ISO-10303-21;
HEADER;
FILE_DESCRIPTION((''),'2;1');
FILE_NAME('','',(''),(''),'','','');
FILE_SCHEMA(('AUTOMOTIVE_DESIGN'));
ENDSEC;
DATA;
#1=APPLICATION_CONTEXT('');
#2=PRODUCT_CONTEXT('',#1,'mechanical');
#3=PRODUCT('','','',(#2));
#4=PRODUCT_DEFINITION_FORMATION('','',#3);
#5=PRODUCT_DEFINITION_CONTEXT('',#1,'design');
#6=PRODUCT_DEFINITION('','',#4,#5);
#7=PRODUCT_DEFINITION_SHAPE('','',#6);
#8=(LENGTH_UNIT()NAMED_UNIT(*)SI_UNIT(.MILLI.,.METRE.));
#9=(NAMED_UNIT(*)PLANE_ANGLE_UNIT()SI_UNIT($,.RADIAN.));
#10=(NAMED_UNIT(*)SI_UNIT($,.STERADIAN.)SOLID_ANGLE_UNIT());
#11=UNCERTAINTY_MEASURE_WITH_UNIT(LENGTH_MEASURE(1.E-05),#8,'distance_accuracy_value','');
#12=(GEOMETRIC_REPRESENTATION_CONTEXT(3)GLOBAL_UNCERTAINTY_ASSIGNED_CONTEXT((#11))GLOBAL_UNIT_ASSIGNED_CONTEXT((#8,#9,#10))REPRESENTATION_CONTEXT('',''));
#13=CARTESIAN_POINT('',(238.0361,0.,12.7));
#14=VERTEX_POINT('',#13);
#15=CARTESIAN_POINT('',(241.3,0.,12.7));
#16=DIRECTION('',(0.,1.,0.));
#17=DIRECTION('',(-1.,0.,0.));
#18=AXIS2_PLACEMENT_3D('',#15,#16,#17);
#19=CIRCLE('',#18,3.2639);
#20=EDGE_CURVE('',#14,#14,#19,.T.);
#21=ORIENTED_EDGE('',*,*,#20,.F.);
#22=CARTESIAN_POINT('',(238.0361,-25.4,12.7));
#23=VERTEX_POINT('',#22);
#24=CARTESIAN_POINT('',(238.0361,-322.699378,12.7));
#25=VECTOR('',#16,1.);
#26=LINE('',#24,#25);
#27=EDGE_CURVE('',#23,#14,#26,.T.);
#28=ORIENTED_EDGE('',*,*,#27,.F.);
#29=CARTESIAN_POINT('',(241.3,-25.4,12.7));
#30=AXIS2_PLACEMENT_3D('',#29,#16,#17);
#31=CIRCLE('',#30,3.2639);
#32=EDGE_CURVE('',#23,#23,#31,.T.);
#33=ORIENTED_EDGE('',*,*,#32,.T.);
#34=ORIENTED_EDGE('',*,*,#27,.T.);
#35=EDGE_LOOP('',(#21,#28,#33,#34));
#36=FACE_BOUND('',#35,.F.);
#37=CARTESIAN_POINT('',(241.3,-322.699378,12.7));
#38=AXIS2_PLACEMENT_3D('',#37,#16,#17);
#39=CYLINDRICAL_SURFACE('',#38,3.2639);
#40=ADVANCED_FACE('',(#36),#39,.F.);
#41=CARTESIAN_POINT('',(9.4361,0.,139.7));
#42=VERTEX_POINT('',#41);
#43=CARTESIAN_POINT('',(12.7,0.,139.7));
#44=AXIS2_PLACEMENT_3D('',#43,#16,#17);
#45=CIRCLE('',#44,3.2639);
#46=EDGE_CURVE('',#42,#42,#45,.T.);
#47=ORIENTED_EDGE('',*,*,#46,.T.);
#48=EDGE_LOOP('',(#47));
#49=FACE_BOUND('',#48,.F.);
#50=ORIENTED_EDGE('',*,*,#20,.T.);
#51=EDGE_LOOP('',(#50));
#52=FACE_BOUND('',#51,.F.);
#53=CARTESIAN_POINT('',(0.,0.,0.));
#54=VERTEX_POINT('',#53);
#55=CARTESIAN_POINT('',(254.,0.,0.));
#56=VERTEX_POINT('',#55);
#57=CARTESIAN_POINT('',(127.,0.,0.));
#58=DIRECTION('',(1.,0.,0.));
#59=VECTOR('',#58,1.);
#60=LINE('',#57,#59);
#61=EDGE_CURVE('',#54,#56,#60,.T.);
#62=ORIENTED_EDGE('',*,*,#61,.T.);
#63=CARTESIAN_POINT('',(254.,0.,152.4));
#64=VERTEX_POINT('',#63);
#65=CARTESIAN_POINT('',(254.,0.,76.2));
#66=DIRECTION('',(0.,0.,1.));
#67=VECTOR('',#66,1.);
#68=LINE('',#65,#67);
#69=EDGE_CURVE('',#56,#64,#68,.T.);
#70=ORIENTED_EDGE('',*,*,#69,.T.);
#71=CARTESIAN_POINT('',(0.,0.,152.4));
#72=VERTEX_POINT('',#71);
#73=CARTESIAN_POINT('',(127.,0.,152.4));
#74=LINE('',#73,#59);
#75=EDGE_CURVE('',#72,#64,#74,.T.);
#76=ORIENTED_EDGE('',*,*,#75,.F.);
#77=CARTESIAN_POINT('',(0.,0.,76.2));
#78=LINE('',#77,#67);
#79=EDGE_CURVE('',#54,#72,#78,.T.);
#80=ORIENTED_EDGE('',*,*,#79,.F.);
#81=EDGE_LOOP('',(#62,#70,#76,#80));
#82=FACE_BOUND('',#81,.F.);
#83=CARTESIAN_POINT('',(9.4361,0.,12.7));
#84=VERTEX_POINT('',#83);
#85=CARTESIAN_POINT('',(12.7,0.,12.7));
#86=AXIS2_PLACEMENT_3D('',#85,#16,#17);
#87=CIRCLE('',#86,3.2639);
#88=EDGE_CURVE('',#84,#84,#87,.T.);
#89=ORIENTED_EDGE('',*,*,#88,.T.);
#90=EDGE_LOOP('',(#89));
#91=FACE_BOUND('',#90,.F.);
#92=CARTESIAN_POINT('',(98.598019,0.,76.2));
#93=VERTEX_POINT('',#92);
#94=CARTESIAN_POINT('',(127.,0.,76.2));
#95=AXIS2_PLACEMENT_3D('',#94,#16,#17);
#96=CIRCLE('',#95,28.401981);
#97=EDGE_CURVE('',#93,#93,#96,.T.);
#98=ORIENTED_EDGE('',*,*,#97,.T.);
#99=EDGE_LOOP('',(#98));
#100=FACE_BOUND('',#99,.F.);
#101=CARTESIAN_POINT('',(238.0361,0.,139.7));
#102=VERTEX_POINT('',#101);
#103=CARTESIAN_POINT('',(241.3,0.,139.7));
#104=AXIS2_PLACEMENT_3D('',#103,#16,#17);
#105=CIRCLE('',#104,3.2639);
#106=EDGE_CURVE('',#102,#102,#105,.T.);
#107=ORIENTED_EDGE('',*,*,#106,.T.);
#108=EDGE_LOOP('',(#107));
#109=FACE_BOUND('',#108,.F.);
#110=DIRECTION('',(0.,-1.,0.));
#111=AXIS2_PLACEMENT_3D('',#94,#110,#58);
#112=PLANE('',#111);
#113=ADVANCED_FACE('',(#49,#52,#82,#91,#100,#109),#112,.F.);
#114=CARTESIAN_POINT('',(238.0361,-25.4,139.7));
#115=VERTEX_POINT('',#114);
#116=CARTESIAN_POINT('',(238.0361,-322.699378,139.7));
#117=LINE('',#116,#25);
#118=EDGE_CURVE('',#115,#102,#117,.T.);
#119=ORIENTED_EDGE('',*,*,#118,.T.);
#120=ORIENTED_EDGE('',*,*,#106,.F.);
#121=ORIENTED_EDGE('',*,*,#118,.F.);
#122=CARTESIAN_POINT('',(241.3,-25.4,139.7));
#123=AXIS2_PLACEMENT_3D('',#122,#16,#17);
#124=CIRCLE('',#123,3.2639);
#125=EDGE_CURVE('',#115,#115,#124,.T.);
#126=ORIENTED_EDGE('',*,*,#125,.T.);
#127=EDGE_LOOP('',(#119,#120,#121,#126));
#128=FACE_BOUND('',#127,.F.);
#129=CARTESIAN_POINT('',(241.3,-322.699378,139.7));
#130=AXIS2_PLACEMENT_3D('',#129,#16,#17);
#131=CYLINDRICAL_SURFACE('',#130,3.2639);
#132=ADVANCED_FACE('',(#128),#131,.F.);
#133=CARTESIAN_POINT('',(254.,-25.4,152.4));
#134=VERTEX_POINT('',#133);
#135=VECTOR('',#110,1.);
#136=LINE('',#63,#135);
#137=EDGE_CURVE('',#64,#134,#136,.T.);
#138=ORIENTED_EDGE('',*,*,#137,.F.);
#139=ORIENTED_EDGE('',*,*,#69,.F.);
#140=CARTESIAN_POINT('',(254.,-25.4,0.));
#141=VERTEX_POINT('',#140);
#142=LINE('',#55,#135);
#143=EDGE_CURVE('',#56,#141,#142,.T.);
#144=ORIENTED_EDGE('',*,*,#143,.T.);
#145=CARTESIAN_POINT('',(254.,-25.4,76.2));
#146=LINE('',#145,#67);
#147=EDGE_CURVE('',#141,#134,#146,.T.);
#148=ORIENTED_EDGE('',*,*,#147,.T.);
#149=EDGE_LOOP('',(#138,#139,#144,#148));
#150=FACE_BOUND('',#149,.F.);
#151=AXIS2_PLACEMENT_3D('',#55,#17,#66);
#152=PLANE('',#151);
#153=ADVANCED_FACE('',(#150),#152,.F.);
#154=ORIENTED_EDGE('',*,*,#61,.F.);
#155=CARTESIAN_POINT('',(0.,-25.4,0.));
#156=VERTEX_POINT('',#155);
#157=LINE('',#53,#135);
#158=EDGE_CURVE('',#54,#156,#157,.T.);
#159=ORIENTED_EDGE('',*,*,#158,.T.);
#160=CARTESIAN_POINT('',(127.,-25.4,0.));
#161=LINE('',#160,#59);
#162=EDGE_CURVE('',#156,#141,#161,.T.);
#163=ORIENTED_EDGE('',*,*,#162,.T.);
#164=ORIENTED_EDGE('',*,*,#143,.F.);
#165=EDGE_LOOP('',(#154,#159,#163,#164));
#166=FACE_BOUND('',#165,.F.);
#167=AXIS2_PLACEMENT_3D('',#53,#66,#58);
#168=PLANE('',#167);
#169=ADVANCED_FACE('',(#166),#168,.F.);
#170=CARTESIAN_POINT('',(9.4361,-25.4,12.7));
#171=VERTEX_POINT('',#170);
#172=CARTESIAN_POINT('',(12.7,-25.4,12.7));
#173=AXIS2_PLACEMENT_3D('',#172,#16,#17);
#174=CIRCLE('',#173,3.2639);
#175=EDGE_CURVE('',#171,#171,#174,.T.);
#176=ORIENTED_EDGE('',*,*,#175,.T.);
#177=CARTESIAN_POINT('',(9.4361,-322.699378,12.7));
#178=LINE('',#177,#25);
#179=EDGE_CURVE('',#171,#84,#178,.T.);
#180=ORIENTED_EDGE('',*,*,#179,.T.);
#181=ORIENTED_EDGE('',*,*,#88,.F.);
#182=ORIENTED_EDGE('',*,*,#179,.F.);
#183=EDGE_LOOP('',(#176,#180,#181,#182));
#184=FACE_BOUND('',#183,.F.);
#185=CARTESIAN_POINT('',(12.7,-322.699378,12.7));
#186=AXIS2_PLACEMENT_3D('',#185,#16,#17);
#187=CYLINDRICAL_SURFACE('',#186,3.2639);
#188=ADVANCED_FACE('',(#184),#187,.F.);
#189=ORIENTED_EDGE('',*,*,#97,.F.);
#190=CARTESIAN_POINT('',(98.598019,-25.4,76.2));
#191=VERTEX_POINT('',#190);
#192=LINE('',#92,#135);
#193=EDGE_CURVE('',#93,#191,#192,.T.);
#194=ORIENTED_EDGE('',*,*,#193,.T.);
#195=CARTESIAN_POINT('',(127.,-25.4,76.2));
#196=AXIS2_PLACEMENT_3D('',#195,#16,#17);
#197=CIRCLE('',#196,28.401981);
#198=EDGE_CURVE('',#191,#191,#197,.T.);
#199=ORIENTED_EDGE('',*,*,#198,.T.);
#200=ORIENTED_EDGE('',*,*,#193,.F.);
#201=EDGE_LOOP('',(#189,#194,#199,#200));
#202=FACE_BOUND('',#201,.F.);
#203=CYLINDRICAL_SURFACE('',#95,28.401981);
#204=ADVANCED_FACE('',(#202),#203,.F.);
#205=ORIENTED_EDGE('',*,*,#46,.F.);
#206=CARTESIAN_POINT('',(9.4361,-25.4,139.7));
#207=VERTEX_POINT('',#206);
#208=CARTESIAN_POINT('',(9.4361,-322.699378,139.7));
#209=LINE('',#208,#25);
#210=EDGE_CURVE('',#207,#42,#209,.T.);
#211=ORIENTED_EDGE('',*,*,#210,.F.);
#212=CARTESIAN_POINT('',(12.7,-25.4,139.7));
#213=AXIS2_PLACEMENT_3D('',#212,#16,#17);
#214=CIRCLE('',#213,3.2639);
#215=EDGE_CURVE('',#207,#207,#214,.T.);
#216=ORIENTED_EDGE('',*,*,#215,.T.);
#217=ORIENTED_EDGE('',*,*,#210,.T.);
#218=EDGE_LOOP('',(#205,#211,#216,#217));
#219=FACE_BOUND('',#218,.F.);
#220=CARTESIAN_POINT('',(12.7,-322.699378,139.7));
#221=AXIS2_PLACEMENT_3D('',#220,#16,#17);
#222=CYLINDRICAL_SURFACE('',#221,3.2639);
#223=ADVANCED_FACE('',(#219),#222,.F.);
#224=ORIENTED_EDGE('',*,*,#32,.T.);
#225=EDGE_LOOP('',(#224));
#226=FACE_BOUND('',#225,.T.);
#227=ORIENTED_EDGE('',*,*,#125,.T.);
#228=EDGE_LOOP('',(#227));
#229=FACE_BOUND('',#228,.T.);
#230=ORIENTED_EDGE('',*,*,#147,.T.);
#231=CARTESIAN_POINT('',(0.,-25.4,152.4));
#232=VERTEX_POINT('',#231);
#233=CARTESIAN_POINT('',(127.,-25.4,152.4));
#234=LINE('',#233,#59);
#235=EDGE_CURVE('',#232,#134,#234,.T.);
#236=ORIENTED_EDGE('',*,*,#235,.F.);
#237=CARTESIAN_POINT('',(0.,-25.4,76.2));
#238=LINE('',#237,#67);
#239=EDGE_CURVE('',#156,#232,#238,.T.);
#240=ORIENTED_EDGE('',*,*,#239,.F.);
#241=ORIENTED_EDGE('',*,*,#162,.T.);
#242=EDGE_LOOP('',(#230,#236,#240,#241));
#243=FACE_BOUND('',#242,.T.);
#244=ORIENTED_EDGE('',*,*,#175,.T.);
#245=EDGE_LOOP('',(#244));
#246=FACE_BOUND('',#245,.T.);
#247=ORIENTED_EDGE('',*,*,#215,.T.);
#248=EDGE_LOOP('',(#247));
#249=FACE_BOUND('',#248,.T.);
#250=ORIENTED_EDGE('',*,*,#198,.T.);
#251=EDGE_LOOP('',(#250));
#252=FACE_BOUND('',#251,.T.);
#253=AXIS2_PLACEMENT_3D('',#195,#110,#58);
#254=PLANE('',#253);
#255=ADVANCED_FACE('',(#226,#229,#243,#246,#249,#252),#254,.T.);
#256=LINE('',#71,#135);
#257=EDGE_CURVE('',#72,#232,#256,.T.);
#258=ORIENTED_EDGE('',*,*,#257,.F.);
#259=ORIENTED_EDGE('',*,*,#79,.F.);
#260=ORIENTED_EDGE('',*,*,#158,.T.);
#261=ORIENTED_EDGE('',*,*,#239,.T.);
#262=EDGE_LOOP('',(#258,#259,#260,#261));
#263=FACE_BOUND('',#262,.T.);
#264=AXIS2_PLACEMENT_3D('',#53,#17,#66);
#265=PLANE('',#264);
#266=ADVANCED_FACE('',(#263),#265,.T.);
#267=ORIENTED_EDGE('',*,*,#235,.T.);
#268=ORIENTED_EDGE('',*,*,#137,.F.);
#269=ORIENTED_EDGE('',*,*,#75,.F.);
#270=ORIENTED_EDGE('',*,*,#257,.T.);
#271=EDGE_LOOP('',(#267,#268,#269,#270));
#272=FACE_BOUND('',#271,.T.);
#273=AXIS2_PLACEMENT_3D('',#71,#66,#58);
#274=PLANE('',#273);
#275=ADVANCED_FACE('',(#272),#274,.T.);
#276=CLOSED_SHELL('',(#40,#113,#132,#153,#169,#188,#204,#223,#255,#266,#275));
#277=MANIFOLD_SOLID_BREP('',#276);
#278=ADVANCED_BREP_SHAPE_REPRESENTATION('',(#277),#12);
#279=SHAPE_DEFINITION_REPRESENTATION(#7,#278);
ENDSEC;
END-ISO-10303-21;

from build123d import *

# Parameters (mm, degrees)
F0_W     = 254
F0_H     = 152.4
F1_DEPTH = 25.4
F3_D     = 6.5278
F4_R     = 28.401981162
F5_DEPTH = 25.401


with BuildPart() as f1:
    # F0 (on Front) → F1 (new body)
    with BuildSketch(Plane.XZ):
        with Locations((127, 76.2)):
            Rectangle(F0_W, F0_H)
    extrude(amount=F1_DEPTH)

    # F3 (through all)
    with Locations(Plane.XZ.offset(25.4)):
        with Locations((12.7, 139.7), (241.3, 139.7), (241.3, 12.7), (12.7, 12.7)):
            Hole(F3_D / 2)

    # F4 (on face) → F5 (cut, through all)
    with BuildSketch(Plane(origin=(0, 0, 0), x_dir=(-1, 0, 0), z_dir=(0, 1, 0))):
        with Locations((-127, 76.2)):
            Circle(F4_R)
    extrude(amount=-F5_DEPTH, mode=Mode.SUBTRACT)


solid = f1.part
